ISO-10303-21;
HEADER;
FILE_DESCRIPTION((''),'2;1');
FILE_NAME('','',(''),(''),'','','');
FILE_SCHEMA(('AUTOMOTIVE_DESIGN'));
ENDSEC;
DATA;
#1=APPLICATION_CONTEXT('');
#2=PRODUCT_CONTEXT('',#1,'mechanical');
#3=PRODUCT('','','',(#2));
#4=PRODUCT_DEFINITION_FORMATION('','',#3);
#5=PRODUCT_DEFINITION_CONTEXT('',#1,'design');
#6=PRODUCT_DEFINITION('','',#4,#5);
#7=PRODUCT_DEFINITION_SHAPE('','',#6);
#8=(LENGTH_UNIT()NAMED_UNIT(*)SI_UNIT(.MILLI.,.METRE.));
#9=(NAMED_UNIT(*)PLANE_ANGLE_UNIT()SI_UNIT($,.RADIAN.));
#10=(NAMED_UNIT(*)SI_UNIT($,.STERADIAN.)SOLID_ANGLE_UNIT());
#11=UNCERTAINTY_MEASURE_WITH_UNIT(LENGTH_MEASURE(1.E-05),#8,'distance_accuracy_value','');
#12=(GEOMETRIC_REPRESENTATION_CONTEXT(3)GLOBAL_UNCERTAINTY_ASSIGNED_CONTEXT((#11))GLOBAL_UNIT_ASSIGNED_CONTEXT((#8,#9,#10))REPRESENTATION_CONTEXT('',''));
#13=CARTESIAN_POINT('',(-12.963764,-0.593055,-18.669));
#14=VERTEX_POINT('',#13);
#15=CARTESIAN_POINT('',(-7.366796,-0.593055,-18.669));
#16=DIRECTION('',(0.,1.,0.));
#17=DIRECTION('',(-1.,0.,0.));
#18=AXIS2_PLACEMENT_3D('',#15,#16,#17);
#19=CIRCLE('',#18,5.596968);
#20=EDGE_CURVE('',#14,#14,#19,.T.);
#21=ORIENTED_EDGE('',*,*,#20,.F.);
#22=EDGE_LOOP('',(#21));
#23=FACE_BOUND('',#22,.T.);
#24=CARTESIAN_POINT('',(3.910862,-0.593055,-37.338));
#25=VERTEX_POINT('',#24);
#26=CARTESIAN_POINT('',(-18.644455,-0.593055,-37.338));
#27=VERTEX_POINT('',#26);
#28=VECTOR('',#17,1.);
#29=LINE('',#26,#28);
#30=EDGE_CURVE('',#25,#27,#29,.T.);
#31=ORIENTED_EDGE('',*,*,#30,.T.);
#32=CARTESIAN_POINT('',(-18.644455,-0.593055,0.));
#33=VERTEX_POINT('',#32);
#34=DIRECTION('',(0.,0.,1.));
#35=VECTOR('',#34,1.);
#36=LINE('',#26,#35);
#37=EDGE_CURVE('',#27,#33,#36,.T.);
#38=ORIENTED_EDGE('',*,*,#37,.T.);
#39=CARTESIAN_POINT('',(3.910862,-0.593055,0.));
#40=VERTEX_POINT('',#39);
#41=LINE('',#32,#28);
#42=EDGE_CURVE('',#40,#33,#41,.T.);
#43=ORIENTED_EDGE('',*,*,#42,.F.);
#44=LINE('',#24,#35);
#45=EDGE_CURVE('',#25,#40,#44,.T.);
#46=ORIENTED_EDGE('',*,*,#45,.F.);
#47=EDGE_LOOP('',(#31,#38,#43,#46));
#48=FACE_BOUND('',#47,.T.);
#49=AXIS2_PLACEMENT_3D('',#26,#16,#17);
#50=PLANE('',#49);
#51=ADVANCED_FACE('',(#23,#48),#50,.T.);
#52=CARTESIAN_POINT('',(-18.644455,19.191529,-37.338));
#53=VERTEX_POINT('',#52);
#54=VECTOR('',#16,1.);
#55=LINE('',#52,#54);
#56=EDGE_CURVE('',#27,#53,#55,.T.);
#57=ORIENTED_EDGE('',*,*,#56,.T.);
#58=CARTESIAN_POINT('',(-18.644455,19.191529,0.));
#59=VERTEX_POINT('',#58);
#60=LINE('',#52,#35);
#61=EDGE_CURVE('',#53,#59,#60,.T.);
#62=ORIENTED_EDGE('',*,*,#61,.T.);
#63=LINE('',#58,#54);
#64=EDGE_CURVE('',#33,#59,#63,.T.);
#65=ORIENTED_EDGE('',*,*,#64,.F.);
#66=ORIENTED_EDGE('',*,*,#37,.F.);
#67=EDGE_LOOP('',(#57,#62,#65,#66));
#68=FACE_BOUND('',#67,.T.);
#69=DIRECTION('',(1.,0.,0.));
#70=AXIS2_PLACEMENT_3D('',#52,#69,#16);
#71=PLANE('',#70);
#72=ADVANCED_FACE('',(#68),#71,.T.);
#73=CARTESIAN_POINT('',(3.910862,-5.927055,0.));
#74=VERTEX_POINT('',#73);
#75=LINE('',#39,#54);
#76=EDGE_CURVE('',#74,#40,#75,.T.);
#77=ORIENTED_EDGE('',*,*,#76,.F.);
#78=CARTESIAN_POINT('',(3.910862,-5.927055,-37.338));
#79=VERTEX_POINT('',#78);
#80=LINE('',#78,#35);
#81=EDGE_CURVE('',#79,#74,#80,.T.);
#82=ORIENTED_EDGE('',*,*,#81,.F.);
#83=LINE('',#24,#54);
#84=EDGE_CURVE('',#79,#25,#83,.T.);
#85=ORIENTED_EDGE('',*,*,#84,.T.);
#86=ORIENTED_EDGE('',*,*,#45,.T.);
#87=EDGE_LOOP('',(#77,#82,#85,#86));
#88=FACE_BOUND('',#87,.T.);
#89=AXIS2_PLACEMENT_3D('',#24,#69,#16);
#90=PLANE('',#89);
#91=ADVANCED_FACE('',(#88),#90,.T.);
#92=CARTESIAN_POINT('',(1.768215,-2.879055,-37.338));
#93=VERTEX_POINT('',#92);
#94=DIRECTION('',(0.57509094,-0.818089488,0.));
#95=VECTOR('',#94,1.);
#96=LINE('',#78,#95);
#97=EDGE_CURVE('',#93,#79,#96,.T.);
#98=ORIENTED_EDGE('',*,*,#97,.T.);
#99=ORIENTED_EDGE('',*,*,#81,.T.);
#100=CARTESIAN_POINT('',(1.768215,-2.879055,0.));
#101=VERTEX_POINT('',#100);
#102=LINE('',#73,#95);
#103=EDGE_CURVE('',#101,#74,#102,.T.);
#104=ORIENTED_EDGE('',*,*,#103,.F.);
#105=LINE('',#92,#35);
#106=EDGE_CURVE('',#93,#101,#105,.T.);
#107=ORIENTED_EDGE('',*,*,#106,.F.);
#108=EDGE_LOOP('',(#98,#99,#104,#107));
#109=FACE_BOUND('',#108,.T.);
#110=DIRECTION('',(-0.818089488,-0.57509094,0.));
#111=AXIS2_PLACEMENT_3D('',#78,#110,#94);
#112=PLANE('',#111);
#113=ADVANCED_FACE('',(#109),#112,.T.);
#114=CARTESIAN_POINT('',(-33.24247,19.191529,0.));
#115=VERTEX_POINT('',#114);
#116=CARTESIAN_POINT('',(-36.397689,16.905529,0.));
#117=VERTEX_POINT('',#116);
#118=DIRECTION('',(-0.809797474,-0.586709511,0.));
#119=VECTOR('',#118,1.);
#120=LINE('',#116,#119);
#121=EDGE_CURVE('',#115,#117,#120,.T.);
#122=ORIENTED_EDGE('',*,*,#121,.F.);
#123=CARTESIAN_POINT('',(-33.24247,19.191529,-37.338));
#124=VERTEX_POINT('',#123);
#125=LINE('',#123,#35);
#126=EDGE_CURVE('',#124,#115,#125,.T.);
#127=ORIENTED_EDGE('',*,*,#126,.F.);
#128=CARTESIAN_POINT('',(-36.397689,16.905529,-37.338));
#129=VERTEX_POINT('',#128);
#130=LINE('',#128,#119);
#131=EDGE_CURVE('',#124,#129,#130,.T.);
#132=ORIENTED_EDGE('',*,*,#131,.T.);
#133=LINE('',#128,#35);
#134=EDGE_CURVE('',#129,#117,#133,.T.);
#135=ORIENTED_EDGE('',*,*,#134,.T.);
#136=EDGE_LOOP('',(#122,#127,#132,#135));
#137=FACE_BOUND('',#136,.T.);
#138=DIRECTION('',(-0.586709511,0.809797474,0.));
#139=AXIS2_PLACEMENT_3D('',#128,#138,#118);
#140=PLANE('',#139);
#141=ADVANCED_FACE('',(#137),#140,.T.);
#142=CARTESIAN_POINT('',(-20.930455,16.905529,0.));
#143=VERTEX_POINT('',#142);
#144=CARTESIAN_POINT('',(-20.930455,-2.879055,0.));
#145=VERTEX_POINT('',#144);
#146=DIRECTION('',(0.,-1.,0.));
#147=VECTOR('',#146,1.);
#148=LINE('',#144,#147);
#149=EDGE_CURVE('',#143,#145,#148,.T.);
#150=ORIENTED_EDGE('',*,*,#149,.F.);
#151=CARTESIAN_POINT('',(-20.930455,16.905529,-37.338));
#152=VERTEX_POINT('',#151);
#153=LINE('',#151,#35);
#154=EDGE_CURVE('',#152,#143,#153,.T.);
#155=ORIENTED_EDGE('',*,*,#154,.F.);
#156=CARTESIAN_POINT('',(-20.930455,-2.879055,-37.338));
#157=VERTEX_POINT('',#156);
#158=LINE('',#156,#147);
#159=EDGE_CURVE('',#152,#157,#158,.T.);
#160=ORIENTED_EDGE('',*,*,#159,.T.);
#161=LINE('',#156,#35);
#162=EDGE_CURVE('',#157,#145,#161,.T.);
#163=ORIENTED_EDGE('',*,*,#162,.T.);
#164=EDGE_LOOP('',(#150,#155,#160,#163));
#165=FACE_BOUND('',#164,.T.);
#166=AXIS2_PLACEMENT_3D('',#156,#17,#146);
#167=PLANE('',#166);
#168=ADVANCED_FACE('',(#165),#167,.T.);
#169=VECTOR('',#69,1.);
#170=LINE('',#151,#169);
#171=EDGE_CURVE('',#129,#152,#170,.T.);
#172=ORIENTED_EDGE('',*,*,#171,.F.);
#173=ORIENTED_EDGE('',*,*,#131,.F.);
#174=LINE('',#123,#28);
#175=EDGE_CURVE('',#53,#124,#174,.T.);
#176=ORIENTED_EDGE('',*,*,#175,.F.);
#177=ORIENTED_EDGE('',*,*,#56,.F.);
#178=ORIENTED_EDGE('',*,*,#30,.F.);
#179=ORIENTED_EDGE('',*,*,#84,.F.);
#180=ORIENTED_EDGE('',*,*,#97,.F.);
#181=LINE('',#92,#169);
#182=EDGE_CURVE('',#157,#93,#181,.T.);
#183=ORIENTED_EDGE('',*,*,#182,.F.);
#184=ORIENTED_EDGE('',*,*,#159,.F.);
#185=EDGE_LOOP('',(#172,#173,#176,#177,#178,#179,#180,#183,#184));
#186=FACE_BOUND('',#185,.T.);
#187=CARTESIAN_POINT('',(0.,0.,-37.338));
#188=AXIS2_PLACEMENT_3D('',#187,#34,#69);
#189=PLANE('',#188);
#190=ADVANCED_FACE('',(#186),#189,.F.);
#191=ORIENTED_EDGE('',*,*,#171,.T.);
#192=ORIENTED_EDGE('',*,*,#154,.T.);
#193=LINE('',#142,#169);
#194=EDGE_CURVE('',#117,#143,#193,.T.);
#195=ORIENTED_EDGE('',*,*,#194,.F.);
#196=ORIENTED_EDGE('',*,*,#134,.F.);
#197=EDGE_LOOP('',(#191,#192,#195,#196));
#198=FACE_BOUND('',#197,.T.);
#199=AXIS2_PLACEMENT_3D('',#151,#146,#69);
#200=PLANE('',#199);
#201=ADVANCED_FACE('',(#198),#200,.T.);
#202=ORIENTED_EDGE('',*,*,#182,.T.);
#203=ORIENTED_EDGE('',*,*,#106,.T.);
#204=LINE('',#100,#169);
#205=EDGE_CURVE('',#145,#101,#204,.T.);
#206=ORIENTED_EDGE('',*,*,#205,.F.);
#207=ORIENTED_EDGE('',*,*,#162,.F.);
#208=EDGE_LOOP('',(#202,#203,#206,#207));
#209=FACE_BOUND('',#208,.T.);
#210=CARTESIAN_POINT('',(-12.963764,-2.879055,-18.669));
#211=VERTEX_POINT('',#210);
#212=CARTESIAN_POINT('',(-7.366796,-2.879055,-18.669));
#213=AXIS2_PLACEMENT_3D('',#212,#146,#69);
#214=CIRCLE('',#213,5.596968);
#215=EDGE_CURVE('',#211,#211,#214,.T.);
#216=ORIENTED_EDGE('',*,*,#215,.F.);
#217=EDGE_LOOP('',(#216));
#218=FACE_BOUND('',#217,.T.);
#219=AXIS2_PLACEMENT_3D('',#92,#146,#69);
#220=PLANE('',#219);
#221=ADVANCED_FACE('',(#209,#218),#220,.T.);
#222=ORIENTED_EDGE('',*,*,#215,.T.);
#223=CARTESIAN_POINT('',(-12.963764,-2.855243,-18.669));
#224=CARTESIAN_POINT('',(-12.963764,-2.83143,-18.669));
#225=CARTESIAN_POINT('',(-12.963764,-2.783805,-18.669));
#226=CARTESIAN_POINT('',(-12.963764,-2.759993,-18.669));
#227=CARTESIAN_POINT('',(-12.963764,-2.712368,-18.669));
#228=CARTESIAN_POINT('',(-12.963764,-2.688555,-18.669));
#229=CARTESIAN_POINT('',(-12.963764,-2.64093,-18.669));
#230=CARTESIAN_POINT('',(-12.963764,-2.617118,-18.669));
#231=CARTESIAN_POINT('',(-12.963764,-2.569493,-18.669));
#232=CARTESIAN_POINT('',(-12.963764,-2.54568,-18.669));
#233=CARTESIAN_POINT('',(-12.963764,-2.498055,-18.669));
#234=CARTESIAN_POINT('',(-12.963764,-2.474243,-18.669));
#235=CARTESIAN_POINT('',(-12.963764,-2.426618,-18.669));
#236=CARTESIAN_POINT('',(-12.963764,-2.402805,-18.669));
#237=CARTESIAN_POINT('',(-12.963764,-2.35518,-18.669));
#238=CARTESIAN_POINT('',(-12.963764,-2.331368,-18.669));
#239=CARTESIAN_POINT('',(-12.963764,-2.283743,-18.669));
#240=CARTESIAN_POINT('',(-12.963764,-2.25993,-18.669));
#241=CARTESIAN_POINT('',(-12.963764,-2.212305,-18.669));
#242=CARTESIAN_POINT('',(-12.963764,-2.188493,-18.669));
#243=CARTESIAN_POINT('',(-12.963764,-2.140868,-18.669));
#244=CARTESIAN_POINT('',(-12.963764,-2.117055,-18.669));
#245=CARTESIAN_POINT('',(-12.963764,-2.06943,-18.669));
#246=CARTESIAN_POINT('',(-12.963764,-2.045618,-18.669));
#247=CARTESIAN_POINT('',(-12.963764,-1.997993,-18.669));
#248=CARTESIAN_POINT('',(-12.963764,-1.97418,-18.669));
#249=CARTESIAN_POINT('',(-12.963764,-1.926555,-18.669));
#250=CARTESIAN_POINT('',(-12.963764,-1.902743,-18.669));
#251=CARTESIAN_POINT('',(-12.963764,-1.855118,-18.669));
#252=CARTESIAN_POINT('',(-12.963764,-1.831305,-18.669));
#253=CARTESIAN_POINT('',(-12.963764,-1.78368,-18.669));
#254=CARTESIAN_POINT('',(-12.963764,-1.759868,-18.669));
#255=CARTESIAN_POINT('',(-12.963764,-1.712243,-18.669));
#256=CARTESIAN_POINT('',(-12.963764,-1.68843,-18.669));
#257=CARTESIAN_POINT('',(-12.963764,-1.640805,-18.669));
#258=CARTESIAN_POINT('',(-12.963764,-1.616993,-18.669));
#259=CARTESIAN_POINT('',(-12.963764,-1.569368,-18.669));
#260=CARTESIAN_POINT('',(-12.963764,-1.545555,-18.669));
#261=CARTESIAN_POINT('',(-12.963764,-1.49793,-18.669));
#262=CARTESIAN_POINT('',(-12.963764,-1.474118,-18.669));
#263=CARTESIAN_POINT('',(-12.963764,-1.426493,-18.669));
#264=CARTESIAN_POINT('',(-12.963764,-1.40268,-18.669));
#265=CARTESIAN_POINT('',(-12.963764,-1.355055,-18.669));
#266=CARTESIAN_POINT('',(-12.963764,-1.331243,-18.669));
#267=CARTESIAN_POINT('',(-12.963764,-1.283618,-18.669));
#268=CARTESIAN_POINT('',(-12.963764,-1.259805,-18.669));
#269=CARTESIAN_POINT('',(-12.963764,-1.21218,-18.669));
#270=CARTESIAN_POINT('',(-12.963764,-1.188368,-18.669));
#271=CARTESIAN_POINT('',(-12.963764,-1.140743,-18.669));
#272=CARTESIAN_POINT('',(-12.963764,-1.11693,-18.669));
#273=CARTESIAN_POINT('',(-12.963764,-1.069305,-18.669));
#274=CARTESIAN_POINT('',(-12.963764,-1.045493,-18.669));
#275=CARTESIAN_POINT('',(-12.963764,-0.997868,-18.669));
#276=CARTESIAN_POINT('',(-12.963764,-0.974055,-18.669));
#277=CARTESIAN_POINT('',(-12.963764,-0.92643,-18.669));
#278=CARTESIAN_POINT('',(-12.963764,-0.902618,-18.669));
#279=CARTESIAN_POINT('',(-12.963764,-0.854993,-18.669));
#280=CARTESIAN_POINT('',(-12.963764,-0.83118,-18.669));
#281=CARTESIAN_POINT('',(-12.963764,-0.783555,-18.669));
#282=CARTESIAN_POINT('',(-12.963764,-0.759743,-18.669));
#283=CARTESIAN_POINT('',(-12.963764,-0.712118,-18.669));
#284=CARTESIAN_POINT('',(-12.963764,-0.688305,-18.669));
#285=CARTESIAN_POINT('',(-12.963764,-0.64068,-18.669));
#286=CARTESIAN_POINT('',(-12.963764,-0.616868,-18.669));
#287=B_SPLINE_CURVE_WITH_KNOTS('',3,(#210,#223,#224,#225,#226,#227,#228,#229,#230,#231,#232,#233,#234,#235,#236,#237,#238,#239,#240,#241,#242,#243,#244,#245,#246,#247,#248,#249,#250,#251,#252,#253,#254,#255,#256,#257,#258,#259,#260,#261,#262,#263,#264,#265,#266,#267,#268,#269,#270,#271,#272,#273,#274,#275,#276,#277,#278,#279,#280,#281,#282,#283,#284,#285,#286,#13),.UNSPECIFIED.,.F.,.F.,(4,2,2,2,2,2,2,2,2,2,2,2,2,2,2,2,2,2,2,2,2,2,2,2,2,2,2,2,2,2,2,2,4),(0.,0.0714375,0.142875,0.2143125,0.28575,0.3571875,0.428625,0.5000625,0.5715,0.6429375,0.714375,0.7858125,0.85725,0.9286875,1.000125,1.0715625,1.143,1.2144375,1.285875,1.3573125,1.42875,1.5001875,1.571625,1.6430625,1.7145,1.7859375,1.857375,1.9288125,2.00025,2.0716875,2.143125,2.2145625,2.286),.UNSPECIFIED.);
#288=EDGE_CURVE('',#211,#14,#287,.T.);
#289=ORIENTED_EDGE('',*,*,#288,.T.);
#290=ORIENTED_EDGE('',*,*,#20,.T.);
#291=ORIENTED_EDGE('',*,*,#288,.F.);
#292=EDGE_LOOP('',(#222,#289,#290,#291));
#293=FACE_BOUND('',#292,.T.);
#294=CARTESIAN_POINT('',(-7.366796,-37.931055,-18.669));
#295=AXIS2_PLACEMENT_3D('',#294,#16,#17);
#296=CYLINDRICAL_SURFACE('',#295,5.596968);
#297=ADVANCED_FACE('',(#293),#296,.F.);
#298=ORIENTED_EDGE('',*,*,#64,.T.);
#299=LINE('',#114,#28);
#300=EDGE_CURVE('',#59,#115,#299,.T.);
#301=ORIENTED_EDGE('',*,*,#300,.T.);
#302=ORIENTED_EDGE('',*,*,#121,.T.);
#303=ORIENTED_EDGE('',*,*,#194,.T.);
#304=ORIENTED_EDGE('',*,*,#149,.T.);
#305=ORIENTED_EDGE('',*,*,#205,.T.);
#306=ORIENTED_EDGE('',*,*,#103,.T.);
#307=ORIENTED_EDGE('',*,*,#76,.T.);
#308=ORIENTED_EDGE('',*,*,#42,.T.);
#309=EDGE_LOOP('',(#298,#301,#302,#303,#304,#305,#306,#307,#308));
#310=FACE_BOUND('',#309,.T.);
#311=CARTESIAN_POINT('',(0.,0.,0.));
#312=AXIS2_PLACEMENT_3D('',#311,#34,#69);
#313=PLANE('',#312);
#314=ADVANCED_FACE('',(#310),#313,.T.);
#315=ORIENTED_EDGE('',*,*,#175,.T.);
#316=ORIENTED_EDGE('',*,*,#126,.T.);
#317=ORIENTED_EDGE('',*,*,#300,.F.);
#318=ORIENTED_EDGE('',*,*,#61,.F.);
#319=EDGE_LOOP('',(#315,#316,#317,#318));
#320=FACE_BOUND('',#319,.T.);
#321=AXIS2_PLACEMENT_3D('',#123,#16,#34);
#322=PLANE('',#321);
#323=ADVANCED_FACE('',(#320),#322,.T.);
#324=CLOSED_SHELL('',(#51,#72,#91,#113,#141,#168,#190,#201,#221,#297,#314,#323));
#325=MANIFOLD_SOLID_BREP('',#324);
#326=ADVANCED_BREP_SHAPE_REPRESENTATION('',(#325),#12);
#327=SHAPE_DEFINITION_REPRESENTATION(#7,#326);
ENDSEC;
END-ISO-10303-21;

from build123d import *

# Parameters (mm, degrees)
BOSS_EXTRUDE1_DEPTH = 37.338
SKETCH3_R           = 5.596968057
CUT_EXTRUDE1_DEPTH  = 37.338


with BuildPart() as part:
    # Sketch2 → Boss-Extrude1 (new body)
    with BuildSketch(Plane.XY):
        Polygon((-33.242470299, 19.191529245), (-18.64445456, 19.191529245), (-18.64445456, -0.593055445), (3.910861921, -0.593055445), (3.910861921, -5.927055445), (1.768214677, -2.879055445), (-20.93045456, -2.879055445), (-20.93045456, 16.905529245), (-36.39768935, 16.905529245), align=None)
    extrude(amount=-BOSS_EXTRUDE1_DEPTH)

    # Sketch3 → Cut-Extrude1 (cut)
    with BuildSketch(Plane(origin=(0, -0.593055445, 0), x_dir=(1, 0, 0), z_dir=(0, 1, 0))):
        with Locations(Location((-7.36679632, 18.669, 0), (0, 0, 180))):
            Circle(SKETCH3_R)
    extrude(amount=-CUT_EXTRUDE1_DEPTH, mode=Mode.SUBTRACT)


solid = part.part
